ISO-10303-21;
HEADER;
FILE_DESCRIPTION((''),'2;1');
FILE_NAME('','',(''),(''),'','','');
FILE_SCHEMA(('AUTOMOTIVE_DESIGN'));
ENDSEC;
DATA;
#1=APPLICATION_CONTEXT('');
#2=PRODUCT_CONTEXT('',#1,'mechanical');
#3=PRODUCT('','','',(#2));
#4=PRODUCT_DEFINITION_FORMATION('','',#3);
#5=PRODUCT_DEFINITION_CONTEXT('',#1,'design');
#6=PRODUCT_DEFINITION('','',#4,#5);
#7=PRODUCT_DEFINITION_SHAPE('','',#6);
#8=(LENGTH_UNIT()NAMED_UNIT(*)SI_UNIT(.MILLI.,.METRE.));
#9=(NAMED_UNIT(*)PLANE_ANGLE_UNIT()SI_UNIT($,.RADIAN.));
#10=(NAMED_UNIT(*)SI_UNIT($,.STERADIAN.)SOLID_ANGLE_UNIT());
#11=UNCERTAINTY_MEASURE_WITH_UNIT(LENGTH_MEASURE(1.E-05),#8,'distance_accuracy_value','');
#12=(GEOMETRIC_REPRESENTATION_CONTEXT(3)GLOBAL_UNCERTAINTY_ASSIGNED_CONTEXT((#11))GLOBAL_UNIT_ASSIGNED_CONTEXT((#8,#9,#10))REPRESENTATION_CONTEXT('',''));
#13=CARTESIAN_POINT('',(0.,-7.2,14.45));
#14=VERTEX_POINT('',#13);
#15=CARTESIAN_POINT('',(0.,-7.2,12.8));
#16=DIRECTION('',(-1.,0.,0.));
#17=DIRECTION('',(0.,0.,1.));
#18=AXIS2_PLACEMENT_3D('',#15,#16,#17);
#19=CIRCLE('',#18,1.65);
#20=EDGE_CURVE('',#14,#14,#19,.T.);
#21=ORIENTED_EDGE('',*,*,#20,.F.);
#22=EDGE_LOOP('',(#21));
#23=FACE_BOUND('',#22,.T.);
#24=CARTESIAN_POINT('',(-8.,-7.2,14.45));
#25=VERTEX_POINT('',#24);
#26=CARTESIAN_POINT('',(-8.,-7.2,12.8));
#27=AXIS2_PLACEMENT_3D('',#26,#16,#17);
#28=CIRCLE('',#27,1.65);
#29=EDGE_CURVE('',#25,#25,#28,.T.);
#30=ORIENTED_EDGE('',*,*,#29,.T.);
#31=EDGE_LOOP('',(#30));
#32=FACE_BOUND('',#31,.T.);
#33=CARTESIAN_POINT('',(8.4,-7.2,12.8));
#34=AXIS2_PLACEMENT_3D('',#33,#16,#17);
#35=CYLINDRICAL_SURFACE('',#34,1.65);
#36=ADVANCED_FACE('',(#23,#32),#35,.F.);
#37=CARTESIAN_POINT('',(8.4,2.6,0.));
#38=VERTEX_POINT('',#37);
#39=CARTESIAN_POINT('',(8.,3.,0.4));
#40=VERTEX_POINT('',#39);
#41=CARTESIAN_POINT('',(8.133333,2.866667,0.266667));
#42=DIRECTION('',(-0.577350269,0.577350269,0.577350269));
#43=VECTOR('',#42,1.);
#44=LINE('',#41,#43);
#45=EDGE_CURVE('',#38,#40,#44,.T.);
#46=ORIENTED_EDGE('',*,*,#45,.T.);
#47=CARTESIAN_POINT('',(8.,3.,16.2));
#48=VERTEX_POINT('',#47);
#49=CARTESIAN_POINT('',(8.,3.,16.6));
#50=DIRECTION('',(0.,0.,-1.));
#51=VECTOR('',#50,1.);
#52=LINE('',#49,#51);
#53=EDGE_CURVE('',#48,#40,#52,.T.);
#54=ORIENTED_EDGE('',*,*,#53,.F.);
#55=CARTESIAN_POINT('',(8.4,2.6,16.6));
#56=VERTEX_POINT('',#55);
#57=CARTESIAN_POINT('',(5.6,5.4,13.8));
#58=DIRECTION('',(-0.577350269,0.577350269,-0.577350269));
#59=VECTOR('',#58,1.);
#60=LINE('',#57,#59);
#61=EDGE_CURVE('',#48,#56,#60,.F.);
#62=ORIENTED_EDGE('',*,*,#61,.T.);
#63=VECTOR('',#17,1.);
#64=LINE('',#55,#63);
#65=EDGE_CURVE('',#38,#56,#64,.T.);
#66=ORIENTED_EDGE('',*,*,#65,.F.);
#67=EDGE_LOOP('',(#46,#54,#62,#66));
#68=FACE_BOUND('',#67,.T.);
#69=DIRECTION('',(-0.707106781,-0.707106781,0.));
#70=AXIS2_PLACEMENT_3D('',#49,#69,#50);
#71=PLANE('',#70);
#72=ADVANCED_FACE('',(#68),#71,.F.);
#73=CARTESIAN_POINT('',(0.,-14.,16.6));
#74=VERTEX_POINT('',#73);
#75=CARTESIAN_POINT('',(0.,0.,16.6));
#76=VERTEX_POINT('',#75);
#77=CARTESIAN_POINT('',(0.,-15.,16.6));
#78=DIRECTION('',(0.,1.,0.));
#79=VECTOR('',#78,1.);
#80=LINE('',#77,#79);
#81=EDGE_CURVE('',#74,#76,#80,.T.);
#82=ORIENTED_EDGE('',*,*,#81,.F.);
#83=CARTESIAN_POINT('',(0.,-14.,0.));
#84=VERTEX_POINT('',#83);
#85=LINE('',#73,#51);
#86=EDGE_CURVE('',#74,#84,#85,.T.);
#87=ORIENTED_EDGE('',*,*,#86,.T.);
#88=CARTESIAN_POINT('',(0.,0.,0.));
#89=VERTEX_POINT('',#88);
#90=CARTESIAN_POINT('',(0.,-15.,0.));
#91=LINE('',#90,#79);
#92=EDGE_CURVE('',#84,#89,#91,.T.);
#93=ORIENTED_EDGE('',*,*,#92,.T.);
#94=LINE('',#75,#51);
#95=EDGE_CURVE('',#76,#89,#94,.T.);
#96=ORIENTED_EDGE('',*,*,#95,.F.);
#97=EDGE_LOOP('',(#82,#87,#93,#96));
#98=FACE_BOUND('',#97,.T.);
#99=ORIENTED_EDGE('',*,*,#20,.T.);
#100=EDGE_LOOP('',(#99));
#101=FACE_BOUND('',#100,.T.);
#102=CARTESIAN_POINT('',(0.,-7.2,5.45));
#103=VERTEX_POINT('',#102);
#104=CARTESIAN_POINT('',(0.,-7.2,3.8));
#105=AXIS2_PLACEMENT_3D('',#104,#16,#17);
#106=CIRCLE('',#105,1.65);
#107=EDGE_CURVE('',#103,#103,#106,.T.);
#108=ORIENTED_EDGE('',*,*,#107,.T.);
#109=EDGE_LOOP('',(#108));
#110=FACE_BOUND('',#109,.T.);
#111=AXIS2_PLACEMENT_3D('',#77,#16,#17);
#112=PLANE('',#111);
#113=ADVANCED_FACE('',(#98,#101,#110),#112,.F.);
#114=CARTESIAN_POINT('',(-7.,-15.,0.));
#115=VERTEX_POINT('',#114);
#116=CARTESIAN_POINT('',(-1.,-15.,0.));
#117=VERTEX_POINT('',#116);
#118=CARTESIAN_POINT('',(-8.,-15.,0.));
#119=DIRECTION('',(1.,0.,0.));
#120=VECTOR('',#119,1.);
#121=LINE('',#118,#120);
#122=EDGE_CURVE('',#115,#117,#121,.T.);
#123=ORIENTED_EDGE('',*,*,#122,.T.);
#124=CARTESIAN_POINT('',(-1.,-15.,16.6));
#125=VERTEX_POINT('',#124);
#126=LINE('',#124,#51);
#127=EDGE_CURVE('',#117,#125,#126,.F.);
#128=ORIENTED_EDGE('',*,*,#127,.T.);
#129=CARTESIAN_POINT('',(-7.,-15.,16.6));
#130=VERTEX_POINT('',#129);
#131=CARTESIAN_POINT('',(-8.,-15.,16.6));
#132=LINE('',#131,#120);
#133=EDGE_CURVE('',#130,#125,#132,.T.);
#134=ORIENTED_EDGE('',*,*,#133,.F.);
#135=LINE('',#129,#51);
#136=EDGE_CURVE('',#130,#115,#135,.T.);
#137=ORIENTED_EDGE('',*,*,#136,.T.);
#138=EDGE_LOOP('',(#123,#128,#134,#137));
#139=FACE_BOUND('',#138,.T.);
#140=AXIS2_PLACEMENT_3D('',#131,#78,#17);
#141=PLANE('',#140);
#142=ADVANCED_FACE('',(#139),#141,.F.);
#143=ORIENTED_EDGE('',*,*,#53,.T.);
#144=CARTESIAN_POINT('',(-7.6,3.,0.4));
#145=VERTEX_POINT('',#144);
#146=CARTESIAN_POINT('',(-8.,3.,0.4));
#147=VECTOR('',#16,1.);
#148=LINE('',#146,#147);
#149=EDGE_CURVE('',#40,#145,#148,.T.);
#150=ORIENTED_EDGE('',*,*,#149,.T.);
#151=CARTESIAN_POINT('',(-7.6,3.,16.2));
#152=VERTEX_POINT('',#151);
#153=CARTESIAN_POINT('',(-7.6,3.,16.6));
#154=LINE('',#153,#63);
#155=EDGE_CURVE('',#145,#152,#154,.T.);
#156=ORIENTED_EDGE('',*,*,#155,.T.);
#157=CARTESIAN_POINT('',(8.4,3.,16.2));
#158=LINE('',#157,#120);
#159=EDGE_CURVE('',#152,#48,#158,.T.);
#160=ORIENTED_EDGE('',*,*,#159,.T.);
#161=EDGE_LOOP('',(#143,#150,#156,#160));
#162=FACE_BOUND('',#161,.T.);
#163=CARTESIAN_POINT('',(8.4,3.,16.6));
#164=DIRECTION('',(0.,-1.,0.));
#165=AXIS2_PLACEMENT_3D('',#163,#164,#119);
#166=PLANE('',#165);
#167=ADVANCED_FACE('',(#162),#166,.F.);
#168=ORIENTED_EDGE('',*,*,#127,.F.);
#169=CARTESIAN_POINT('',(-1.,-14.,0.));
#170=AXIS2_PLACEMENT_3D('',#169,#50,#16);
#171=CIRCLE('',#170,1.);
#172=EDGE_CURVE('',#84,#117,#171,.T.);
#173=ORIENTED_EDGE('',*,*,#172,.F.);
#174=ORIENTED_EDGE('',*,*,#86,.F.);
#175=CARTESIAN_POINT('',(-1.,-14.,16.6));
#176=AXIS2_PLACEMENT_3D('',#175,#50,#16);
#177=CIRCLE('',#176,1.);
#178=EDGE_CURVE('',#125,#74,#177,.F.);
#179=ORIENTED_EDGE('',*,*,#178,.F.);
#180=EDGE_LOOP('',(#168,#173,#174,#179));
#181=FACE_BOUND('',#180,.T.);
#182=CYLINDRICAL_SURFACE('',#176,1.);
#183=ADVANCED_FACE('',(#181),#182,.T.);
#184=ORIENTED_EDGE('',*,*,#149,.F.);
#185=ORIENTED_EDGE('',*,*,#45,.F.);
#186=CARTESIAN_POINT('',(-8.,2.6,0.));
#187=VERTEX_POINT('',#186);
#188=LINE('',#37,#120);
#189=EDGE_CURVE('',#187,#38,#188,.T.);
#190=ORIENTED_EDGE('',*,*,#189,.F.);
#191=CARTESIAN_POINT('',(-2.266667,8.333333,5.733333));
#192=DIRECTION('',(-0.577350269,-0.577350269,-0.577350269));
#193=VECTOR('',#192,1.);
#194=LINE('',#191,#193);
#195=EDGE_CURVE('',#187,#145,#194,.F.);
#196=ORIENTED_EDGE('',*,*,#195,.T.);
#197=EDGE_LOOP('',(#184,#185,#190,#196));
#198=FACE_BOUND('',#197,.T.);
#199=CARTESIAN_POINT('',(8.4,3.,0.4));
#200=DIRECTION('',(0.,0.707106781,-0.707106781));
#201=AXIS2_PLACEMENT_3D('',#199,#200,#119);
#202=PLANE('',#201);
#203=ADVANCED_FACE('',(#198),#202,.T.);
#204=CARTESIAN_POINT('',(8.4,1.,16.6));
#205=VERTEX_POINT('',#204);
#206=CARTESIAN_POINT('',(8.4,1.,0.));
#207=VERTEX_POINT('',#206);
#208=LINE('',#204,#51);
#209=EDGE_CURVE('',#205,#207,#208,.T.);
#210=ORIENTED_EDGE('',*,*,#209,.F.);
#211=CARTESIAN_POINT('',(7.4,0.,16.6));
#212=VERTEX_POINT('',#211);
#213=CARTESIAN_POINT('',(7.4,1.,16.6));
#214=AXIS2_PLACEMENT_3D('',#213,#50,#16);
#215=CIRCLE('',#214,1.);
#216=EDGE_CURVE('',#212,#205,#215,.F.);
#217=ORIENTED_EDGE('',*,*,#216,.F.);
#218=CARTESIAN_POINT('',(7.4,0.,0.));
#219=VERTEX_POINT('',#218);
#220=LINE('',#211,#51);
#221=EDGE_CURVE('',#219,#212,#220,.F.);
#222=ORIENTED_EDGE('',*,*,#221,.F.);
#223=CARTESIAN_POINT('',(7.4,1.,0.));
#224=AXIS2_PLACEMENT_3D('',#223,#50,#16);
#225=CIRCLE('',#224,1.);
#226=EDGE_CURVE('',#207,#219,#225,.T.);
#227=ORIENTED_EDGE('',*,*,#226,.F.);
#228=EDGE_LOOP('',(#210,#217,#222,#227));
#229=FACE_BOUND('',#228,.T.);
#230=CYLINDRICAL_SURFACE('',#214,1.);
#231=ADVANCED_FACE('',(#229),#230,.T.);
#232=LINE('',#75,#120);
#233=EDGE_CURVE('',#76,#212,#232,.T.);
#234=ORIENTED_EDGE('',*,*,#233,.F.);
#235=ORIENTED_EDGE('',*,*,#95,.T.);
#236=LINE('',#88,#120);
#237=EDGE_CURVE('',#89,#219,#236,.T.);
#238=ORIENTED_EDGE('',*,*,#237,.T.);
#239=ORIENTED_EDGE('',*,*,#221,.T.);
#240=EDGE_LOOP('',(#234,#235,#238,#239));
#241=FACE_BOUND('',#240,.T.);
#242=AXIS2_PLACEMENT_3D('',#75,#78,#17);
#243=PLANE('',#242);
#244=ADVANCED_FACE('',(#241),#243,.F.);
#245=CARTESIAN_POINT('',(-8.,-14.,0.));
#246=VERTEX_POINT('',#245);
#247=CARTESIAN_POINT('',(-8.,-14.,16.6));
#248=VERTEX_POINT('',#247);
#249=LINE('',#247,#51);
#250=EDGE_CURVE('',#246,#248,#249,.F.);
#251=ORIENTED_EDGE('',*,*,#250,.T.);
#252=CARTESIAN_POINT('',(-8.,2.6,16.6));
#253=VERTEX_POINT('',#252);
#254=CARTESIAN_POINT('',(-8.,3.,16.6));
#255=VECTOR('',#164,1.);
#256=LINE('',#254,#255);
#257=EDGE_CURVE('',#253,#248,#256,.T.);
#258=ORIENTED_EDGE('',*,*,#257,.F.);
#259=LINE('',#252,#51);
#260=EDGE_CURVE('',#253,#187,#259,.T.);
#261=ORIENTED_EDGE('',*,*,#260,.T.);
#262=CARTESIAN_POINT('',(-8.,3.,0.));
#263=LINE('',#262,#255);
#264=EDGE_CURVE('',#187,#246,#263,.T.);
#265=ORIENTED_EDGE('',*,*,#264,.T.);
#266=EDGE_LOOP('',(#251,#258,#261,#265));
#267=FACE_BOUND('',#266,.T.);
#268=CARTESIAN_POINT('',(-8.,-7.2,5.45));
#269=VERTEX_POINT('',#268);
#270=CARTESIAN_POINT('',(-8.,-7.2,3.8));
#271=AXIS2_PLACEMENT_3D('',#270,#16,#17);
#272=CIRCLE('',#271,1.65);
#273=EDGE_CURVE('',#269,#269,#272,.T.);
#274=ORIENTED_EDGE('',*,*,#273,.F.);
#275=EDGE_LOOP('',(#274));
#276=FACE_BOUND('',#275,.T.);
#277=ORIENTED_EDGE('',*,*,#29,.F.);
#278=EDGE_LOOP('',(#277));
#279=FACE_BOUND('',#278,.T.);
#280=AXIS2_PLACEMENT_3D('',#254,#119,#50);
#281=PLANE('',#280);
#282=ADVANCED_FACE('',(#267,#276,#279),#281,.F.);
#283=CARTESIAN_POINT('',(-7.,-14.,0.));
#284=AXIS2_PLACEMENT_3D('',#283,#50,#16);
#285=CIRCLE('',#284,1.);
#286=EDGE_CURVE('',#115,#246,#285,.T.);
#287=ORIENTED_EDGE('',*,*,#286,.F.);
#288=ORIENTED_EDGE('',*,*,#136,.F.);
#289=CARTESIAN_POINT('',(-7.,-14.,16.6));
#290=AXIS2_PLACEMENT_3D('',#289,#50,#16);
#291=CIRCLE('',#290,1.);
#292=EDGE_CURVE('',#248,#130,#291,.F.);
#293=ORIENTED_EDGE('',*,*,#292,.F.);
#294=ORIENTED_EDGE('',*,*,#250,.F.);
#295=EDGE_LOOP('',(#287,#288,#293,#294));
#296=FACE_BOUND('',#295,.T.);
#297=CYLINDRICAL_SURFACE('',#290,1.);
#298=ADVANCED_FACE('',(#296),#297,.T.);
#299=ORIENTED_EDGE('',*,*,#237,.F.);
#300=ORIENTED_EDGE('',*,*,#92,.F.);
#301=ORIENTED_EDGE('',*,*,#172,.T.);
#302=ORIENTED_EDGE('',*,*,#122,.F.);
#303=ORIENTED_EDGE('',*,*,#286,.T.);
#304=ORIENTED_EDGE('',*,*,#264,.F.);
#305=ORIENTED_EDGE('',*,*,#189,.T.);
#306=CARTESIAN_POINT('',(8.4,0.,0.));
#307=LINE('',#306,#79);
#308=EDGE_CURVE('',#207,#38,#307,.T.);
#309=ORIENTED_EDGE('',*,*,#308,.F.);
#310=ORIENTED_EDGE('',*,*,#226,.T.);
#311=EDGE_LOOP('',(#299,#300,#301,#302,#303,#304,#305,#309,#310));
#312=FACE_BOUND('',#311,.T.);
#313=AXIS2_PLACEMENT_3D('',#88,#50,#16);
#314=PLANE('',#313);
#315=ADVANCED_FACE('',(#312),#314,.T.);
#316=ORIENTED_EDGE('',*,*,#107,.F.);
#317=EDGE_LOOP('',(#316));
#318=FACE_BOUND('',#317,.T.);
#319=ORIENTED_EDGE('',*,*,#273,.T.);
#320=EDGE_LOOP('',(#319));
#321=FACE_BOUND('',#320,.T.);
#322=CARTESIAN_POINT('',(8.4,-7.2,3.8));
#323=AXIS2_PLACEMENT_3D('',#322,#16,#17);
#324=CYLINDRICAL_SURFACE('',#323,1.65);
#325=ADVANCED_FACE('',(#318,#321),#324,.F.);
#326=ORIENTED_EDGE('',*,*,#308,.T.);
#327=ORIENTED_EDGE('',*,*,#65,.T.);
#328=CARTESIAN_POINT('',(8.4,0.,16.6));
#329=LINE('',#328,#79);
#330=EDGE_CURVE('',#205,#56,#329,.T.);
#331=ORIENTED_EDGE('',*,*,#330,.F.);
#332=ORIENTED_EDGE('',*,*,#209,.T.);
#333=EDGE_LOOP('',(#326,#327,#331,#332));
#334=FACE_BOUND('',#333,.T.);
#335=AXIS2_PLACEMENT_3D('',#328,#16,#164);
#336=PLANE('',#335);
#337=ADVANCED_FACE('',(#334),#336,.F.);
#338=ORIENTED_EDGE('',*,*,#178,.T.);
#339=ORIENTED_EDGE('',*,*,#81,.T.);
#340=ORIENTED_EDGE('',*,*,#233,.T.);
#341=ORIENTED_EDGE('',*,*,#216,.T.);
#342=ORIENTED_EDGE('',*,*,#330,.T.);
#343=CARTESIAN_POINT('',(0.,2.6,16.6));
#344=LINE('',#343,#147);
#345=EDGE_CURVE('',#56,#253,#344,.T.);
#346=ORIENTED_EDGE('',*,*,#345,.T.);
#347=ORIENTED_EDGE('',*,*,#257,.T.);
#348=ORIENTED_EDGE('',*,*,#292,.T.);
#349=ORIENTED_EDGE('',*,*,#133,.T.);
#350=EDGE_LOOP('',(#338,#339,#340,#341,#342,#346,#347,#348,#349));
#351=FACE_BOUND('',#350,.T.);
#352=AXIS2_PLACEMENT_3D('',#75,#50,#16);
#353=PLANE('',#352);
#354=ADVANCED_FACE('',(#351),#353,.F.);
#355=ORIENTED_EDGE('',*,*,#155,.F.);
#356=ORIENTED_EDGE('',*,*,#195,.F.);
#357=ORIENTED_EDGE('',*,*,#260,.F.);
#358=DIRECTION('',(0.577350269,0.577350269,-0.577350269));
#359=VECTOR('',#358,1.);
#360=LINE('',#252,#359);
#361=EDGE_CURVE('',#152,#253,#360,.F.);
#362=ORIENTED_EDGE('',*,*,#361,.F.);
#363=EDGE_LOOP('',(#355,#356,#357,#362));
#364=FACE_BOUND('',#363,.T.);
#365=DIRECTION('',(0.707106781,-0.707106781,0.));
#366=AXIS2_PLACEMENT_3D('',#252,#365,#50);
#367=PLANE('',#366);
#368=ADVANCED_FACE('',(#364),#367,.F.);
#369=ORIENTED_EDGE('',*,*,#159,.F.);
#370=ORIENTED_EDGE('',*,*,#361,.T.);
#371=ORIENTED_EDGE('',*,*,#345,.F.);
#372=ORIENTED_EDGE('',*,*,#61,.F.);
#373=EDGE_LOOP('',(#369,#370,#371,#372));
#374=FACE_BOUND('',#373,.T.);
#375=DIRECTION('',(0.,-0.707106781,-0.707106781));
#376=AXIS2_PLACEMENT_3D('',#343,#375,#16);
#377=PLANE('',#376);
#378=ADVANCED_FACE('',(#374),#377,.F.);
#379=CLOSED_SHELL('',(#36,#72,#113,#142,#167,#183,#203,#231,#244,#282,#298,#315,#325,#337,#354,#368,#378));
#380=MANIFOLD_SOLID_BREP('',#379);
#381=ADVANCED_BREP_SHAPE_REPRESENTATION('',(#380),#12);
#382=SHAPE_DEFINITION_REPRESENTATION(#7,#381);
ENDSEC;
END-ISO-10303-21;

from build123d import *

# Parameters (mm, degrees)
BOSS_EXTRUDE1_DEPTH = 16.6
SKETCH2_R           = 1.65
CUT_EXTRUDE1_DEPTH  = 17.4
CHAMFER1_SIZE       = 0.4
FILLET1_R           = 1


with BuildPart() as part:
    # Sketch1 → Boss-Extrude1 (new body)
    with BuildSketch(Plane.XY):
        Polygon((0, 0), (8.4, 0), (8.4, 3), (-8, 3), (-8, -15), (0, -15), align=None)
    extrude(amount=BOSS_EXTRUDE1_DEPTH)

    # Sketch2 → Cut-Extrude1 (cut, through all)
    with BuildSketch(Plane.ZY.offset(8)):
        with Locations((3.8, -7.2)):
            Circle(SKETCH2_R)
        with Locations((12.8, -7.2)):
            Circle(SKETCH2_R)
    extrude(amount=-CUT_EXTRUDE1_DEPTH, mode=Mode.SUBTRACT)

    # Chamfer1
    chamfer1_edges = [part.edges().sort_by_distance(p)[0] for p in [
        (-8, 3, 8.3),
        (8.4, 3, 8.3),
        (0.2, 3, 16.6),
        (0.2, 3, 0),
    ]]
    chamfer(chamfer1_edges, length=CHAMFER1_SIZE)

    # Fillet1
    fillet1_edges = [part.edges().sort_by_distance(p)[0] for p in [
        (0, -15, 8.3),
        (-8, -15, 8.3),
        (8.4, 0, 8.3),
    ]]
    fillet(fillet1_edges, radius=FILLET1_R)


solid = part.part
